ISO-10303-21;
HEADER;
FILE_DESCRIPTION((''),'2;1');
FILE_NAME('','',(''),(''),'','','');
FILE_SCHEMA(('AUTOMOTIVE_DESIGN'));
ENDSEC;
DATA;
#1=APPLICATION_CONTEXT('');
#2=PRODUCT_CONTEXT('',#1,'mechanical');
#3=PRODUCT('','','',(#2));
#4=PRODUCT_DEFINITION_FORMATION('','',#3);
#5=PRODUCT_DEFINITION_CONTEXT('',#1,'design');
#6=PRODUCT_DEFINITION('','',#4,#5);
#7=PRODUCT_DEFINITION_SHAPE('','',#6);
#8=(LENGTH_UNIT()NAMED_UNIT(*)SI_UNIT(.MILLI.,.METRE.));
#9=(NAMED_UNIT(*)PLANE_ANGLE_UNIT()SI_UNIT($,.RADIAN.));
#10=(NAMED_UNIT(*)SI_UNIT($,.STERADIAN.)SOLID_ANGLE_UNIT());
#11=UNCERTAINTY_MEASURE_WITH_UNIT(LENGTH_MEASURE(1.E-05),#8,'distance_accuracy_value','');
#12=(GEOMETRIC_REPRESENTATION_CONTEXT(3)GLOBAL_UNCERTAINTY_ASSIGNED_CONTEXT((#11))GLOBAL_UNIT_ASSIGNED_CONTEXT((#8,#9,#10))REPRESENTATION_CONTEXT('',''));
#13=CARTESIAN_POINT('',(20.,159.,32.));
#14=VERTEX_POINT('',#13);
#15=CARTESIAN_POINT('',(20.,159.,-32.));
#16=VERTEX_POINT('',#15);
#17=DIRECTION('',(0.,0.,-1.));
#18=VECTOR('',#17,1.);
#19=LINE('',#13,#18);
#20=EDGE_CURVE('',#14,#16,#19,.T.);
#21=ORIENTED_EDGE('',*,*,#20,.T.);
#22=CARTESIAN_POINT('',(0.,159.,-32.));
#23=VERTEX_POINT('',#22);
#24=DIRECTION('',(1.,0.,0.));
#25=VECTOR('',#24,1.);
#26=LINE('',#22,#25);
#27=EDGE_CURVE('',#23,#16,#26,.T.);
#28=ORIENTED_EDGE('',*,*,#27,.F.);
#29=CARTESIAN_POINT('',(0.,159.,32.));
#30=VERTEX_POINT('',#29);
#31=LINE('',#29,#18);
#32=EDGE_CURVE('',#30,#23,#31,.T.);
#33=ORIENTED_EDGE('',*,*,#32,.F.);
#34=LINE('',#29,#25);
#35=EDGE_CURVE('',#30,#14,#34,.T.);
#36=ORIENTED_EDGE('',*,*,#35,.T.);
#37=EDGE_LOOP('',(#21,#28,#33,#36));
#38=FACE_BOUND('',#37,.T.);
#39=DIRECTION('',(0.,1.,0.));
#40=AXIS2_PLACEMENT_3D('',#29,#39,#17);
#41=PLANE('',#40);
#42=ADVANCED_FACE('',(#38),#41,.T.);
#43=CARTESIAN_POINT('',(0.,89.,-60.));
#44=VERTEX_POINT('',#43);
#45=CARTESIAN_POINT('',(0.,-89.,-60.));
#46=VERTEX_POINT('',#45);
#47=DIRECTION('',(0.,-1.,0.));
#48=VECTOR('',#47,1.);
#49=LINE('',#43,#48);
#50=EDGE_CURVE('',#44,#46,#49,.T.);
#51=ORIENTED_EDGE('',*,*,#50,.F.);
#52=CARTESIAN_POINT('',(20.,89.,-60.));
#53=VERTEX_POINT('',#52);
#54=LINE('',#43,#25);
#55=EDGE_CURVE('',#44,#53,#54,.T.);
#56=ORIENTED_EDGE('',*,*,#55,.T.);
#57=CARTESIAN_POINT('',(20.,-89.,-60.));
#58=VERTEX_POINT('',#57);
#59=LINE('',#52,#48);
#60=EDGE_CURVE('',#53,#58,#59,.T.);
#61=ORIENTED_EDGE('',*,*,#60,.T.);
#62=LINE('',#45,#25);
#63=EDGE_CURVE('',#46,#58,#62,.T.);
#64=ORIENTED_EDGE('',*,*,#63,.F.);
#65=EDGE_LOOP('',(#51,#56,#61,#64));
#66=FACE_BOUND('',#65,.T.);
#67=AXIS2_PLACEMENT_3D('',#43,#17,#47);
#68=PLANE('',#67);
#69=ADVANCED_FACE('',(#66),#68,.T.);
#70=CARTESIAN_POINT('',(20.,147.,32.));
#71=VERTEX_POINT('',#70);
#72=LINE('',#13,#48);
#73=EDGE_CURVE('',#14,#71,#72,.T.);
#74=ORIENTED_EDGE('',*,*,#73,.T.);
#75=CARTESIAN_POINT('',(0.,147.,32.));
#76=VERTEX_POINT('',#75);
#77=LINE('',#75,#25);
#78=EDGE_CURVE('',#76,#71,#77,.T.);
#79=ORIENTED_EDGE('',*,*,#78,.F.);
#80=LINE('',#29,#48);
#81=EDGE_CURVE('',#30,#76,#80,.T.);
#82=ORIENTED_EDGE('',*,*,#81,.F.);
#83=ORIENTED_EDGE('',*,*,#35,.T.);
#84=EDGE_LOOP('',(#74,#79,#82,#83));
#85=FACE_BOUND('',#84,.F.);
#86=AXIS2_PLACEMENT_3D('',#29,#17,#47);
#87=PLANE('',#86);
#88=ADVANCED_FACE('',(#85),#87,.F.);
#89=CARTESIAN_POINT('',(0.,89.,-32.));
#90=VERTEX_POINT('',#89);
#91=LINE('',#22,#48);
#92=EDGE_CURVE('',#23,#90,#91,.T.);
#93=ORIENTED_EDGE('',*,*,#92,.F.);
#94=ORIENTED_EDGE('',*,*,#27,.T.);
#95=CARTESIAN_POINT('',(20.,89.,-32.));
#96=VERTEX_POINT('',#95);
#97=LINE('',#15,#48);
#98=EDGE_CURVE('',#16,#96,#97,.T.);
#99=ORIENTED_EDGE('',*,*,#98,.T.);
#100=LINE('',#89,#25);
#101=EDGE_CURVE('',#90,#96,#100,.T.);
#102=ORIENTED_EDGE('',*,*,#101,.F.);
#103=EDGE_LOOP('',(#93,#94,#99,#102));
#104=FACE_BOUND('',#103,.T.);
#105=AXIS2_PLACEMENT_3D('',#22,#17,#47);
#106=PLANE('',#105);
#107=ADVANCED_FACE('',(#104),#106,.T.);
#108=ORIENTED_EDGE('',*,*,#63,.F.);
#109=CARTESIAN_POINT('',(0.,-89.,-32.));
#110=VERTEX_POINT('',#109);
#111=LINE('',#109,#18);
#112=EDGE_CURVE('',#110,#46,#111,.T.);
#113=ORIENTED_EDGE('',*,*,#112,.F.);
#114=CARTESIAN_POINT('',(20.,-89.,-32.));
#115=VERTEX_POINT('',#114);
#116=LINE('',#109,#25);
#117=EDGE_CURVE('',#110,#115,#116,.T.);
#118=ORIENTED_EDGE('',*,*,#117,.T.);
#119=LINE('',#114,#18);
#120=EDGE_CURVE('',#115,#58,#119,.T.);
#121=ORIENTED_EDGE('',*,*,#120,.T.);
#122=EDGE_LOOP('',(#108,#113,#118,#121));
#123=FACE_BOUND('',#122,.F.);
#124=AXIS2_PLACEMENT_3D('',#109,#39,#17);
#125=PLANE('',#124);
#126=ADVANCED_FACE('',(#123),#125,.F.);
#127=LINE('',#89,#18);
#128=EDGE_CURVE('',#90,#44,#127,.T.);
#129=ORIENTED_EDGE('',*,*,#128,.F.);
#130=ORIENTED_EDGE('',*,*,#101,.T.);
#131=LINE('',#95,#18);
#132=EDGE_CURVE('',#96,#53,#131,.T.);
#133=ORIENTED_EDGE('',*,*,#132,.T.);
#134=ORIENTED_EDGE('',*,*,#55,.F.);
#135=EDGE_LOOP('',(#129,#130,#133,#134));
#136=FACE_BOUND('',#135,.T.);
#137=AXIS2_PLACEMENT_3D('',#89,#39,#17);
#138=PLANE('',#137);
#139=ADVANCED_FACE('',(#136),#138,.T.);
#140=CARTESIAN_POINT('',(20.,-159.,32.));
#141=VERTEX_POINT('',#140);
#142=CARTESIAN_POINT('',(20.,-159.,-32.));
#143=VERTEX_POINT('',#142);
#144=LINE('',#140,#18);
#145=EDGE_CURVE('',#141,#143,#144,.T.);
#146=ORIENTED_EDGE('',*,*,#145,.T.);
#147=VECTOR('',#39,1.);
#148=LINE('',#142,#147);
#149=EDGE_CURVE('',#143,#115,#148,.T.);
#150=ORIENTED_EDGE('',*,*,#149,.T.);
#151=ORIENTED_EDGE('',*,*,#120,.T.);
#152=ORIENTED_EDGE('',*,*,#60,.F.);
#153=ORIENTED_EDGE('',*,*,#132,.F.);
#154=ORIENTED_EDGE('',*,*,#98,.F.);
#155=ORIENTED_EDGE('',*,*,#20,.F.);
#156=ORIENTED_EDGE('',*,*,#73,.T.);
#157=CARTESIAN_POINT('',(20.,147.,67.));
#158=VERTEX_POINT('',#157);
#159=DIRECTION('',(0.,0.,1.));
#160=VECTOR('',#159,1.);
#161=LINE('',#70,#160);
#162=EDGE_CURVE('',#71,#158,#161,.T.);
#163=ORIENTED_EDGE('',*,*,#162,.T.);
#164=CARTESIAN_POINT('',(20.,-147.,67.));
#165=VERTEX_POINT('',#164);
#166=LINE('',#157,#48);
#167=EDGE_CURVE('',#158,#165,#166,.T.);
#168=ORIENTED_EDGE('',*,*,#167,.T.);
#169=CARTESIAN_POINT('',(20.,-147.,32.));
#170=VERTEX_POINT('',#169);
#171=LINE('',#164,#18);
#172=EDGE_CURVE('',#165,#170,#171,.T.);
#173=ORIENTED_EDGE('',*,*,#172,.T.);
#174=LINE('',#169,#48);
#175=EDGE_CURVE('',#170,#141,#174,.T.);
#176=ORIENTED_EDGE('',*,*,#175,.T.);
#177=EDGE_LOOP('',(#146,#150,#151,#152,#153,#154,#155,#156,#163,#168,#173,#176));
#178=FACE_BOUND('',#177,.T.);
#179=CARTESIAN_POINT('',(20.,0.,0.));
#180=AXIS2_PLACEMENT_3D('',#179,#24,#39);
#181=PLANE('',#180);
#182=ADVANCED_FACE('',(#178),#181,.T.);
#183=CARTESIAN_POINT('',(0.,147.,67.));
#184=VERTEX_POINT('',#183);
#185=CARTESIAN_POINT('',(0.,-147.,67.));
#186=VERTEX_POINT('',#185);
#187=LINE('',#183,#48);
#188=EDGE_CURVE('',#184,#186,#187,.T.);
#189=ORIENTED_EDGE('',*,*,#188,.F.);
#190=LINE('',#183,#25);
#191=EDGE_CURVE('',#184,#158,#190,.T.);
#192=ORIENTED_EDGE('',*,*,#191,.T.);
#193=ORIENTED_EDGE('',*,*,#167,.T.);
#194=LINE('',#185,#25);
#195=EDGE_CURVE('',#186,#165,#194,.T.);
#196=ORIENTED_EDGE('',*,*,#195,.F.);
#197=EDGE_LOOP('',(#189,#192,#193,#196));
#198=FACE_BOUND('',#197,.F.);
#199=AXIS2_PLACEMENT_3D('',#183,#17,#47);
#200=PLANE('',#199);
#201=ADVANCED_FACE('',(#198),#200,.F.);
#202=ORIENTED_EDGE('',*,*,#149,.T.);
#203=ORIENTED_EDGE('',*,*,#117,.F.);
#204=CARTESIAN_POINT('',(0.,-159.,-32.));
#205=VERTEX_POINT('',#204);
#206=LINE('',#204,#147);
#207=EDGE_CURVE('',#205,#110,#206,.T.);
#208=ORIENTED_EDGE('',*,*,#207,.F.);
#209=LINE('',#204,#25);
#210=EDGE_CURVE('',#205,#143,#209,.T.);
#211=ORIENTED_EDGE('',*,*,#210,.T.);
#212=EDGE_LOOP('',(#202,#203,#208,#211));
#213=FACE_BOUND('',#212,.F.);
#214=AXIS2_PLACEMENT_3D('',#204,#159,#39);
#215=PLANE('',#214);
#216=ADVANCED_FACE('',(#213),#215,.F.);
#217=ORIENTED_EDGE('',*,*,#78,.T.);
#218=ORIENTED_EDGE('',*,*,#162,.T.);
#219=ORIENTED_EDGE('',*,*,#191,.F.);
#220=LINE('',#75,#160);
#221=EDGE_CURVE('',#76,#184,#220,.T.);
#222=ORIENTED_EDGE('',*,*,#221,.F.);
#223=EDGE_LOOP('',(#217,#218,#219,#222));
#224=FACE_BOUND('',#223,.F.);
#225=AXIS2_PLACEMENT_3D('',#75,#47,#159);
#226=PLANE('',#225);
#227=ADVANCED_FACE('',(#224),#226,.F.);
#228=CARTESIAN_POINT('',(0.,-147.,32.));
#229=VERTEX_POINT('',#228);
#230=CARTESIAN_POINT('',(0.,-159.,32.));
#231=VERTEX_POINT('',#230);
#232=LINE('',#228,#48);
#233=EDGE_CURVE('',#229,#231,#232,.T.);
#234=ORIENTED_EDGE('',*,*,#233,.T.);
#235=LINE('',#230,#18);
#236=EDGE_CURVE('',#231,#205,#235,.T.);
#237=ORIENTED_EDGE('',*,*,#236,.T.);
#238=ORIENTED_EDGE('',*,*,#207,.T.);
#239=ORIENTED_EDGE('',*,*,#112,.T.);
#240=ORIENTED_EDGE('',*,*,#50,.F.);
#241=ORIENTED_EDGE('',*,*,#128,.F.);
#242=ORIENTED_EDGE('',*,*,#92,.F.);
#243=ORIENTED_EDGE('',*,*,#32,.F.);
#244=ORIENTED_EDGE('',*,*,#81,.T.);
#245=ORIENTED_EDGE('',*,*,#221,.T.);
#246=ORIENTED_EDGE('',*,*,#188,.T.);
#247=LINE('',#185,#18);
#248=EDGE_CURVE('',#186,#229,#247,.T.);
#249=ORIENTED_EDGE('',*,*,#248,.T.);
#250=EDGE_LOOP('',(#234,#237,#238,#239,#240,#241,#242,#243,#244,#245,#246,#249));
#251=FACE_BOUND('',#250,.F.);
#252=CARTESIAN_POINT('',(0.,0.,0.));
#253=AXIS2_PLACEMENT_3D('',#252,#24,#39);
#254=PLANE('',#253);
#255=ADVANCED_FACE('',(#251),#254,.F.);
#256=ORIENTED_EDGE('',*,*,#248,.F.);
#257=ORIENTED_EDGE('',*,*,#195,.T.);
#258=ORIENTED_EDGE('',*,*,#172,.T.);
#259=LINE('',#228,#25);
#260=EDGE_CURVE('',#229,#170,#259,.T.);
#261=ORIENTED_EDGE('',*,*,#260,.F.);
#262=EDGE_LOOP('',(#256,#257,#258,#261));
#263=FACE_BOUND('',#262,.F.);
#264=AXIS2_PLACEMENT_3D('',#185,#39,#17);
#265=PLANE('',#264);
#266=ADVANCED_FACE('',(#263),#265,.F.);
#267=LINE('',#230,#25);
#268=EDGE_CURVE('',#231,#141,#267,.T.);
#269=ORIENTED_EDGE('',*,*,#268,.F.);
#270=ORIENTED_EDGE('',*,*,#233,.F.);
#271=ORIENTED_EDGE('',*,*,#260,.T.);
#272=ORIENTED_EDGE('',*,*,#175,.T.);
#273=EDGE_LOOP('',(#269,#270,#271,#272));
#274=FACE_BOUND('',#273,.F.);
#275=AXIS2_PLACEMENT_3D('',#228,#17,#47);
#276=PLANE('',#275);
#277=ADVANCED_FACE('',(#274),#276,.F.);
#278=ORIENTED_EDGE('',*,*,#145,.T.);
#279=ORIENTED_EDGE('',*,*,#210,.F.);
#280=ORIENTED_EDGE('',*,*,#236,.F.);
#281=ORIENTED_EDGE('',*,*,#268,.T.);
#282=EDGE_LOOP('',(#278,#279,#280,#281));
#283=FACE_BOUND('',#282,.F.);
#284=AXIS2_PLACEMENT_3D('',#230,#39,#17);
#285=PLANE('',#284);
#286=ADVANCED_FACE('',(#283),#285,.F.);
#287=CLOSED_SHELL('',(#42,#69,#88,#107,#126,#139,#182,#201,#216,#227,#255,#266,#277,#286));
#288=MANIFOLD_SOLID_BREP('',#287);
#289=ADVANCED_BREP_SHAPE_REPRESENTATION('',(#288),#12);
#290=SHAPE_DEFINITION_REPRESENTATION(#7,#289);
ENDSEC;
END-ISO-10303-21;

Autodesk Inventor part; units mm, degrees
ref_plane "YZ Plane" through (0, 0, 0) normal (1, 0, 0) x (0, 1, 0)
ref_plane "XZ Plane" through (0, 0, 0) normal (0, 1, 0) x (-1, 0, 0)
ref_plane "XY Plane" through (0, 0, 0) normal (0, 0, 1) x (1, 0, 0)
sketch "Sketch1" plane through (0, 0, 0) normal (1, 0, 0) x (0, 1, 0)
  line L0 (159, 32) -> (159, -32)
  line L1 (159, -32) -> (89, -32)
  line L2 (89, -32) -> (89, -60)
  line L3 (89, -60) -> (-89, -60)
  line L4 (159, 32) -> (147, 32)
  line L5 (147, 32) -> (147, 67)
  line L6 (147, 67) -> (-147, 67)
  line L7 (-147, 67) -> (-147, 32)
  line L8 (-147, 32) -> (-159, 32)
  line L9 (-159, 32) -> (-159, -32)
  line L10 (-159, -32) -> (-89, -32)
  line L11 (-89, -32) -> (-89, -60)
  point P0 (0, 0)
  point P1 (159, 0)
  point P2 (0, 67)
  dimension "d0" = 64
  dimension "d1" = 70
  dimension "d2" = 178
  dimension "d3" = 28
  dimension "d4" = 12
  dimension "d5" = 35
  dimension "d6" = 12
  dimension "d7" = 64
  dimension "d8" = 70
  dimension "d9" = 35
extrude "Extrusion1" add sketch "Sketch1" along normal blind 20
properties part number "battlebotspinner20mmplate"
